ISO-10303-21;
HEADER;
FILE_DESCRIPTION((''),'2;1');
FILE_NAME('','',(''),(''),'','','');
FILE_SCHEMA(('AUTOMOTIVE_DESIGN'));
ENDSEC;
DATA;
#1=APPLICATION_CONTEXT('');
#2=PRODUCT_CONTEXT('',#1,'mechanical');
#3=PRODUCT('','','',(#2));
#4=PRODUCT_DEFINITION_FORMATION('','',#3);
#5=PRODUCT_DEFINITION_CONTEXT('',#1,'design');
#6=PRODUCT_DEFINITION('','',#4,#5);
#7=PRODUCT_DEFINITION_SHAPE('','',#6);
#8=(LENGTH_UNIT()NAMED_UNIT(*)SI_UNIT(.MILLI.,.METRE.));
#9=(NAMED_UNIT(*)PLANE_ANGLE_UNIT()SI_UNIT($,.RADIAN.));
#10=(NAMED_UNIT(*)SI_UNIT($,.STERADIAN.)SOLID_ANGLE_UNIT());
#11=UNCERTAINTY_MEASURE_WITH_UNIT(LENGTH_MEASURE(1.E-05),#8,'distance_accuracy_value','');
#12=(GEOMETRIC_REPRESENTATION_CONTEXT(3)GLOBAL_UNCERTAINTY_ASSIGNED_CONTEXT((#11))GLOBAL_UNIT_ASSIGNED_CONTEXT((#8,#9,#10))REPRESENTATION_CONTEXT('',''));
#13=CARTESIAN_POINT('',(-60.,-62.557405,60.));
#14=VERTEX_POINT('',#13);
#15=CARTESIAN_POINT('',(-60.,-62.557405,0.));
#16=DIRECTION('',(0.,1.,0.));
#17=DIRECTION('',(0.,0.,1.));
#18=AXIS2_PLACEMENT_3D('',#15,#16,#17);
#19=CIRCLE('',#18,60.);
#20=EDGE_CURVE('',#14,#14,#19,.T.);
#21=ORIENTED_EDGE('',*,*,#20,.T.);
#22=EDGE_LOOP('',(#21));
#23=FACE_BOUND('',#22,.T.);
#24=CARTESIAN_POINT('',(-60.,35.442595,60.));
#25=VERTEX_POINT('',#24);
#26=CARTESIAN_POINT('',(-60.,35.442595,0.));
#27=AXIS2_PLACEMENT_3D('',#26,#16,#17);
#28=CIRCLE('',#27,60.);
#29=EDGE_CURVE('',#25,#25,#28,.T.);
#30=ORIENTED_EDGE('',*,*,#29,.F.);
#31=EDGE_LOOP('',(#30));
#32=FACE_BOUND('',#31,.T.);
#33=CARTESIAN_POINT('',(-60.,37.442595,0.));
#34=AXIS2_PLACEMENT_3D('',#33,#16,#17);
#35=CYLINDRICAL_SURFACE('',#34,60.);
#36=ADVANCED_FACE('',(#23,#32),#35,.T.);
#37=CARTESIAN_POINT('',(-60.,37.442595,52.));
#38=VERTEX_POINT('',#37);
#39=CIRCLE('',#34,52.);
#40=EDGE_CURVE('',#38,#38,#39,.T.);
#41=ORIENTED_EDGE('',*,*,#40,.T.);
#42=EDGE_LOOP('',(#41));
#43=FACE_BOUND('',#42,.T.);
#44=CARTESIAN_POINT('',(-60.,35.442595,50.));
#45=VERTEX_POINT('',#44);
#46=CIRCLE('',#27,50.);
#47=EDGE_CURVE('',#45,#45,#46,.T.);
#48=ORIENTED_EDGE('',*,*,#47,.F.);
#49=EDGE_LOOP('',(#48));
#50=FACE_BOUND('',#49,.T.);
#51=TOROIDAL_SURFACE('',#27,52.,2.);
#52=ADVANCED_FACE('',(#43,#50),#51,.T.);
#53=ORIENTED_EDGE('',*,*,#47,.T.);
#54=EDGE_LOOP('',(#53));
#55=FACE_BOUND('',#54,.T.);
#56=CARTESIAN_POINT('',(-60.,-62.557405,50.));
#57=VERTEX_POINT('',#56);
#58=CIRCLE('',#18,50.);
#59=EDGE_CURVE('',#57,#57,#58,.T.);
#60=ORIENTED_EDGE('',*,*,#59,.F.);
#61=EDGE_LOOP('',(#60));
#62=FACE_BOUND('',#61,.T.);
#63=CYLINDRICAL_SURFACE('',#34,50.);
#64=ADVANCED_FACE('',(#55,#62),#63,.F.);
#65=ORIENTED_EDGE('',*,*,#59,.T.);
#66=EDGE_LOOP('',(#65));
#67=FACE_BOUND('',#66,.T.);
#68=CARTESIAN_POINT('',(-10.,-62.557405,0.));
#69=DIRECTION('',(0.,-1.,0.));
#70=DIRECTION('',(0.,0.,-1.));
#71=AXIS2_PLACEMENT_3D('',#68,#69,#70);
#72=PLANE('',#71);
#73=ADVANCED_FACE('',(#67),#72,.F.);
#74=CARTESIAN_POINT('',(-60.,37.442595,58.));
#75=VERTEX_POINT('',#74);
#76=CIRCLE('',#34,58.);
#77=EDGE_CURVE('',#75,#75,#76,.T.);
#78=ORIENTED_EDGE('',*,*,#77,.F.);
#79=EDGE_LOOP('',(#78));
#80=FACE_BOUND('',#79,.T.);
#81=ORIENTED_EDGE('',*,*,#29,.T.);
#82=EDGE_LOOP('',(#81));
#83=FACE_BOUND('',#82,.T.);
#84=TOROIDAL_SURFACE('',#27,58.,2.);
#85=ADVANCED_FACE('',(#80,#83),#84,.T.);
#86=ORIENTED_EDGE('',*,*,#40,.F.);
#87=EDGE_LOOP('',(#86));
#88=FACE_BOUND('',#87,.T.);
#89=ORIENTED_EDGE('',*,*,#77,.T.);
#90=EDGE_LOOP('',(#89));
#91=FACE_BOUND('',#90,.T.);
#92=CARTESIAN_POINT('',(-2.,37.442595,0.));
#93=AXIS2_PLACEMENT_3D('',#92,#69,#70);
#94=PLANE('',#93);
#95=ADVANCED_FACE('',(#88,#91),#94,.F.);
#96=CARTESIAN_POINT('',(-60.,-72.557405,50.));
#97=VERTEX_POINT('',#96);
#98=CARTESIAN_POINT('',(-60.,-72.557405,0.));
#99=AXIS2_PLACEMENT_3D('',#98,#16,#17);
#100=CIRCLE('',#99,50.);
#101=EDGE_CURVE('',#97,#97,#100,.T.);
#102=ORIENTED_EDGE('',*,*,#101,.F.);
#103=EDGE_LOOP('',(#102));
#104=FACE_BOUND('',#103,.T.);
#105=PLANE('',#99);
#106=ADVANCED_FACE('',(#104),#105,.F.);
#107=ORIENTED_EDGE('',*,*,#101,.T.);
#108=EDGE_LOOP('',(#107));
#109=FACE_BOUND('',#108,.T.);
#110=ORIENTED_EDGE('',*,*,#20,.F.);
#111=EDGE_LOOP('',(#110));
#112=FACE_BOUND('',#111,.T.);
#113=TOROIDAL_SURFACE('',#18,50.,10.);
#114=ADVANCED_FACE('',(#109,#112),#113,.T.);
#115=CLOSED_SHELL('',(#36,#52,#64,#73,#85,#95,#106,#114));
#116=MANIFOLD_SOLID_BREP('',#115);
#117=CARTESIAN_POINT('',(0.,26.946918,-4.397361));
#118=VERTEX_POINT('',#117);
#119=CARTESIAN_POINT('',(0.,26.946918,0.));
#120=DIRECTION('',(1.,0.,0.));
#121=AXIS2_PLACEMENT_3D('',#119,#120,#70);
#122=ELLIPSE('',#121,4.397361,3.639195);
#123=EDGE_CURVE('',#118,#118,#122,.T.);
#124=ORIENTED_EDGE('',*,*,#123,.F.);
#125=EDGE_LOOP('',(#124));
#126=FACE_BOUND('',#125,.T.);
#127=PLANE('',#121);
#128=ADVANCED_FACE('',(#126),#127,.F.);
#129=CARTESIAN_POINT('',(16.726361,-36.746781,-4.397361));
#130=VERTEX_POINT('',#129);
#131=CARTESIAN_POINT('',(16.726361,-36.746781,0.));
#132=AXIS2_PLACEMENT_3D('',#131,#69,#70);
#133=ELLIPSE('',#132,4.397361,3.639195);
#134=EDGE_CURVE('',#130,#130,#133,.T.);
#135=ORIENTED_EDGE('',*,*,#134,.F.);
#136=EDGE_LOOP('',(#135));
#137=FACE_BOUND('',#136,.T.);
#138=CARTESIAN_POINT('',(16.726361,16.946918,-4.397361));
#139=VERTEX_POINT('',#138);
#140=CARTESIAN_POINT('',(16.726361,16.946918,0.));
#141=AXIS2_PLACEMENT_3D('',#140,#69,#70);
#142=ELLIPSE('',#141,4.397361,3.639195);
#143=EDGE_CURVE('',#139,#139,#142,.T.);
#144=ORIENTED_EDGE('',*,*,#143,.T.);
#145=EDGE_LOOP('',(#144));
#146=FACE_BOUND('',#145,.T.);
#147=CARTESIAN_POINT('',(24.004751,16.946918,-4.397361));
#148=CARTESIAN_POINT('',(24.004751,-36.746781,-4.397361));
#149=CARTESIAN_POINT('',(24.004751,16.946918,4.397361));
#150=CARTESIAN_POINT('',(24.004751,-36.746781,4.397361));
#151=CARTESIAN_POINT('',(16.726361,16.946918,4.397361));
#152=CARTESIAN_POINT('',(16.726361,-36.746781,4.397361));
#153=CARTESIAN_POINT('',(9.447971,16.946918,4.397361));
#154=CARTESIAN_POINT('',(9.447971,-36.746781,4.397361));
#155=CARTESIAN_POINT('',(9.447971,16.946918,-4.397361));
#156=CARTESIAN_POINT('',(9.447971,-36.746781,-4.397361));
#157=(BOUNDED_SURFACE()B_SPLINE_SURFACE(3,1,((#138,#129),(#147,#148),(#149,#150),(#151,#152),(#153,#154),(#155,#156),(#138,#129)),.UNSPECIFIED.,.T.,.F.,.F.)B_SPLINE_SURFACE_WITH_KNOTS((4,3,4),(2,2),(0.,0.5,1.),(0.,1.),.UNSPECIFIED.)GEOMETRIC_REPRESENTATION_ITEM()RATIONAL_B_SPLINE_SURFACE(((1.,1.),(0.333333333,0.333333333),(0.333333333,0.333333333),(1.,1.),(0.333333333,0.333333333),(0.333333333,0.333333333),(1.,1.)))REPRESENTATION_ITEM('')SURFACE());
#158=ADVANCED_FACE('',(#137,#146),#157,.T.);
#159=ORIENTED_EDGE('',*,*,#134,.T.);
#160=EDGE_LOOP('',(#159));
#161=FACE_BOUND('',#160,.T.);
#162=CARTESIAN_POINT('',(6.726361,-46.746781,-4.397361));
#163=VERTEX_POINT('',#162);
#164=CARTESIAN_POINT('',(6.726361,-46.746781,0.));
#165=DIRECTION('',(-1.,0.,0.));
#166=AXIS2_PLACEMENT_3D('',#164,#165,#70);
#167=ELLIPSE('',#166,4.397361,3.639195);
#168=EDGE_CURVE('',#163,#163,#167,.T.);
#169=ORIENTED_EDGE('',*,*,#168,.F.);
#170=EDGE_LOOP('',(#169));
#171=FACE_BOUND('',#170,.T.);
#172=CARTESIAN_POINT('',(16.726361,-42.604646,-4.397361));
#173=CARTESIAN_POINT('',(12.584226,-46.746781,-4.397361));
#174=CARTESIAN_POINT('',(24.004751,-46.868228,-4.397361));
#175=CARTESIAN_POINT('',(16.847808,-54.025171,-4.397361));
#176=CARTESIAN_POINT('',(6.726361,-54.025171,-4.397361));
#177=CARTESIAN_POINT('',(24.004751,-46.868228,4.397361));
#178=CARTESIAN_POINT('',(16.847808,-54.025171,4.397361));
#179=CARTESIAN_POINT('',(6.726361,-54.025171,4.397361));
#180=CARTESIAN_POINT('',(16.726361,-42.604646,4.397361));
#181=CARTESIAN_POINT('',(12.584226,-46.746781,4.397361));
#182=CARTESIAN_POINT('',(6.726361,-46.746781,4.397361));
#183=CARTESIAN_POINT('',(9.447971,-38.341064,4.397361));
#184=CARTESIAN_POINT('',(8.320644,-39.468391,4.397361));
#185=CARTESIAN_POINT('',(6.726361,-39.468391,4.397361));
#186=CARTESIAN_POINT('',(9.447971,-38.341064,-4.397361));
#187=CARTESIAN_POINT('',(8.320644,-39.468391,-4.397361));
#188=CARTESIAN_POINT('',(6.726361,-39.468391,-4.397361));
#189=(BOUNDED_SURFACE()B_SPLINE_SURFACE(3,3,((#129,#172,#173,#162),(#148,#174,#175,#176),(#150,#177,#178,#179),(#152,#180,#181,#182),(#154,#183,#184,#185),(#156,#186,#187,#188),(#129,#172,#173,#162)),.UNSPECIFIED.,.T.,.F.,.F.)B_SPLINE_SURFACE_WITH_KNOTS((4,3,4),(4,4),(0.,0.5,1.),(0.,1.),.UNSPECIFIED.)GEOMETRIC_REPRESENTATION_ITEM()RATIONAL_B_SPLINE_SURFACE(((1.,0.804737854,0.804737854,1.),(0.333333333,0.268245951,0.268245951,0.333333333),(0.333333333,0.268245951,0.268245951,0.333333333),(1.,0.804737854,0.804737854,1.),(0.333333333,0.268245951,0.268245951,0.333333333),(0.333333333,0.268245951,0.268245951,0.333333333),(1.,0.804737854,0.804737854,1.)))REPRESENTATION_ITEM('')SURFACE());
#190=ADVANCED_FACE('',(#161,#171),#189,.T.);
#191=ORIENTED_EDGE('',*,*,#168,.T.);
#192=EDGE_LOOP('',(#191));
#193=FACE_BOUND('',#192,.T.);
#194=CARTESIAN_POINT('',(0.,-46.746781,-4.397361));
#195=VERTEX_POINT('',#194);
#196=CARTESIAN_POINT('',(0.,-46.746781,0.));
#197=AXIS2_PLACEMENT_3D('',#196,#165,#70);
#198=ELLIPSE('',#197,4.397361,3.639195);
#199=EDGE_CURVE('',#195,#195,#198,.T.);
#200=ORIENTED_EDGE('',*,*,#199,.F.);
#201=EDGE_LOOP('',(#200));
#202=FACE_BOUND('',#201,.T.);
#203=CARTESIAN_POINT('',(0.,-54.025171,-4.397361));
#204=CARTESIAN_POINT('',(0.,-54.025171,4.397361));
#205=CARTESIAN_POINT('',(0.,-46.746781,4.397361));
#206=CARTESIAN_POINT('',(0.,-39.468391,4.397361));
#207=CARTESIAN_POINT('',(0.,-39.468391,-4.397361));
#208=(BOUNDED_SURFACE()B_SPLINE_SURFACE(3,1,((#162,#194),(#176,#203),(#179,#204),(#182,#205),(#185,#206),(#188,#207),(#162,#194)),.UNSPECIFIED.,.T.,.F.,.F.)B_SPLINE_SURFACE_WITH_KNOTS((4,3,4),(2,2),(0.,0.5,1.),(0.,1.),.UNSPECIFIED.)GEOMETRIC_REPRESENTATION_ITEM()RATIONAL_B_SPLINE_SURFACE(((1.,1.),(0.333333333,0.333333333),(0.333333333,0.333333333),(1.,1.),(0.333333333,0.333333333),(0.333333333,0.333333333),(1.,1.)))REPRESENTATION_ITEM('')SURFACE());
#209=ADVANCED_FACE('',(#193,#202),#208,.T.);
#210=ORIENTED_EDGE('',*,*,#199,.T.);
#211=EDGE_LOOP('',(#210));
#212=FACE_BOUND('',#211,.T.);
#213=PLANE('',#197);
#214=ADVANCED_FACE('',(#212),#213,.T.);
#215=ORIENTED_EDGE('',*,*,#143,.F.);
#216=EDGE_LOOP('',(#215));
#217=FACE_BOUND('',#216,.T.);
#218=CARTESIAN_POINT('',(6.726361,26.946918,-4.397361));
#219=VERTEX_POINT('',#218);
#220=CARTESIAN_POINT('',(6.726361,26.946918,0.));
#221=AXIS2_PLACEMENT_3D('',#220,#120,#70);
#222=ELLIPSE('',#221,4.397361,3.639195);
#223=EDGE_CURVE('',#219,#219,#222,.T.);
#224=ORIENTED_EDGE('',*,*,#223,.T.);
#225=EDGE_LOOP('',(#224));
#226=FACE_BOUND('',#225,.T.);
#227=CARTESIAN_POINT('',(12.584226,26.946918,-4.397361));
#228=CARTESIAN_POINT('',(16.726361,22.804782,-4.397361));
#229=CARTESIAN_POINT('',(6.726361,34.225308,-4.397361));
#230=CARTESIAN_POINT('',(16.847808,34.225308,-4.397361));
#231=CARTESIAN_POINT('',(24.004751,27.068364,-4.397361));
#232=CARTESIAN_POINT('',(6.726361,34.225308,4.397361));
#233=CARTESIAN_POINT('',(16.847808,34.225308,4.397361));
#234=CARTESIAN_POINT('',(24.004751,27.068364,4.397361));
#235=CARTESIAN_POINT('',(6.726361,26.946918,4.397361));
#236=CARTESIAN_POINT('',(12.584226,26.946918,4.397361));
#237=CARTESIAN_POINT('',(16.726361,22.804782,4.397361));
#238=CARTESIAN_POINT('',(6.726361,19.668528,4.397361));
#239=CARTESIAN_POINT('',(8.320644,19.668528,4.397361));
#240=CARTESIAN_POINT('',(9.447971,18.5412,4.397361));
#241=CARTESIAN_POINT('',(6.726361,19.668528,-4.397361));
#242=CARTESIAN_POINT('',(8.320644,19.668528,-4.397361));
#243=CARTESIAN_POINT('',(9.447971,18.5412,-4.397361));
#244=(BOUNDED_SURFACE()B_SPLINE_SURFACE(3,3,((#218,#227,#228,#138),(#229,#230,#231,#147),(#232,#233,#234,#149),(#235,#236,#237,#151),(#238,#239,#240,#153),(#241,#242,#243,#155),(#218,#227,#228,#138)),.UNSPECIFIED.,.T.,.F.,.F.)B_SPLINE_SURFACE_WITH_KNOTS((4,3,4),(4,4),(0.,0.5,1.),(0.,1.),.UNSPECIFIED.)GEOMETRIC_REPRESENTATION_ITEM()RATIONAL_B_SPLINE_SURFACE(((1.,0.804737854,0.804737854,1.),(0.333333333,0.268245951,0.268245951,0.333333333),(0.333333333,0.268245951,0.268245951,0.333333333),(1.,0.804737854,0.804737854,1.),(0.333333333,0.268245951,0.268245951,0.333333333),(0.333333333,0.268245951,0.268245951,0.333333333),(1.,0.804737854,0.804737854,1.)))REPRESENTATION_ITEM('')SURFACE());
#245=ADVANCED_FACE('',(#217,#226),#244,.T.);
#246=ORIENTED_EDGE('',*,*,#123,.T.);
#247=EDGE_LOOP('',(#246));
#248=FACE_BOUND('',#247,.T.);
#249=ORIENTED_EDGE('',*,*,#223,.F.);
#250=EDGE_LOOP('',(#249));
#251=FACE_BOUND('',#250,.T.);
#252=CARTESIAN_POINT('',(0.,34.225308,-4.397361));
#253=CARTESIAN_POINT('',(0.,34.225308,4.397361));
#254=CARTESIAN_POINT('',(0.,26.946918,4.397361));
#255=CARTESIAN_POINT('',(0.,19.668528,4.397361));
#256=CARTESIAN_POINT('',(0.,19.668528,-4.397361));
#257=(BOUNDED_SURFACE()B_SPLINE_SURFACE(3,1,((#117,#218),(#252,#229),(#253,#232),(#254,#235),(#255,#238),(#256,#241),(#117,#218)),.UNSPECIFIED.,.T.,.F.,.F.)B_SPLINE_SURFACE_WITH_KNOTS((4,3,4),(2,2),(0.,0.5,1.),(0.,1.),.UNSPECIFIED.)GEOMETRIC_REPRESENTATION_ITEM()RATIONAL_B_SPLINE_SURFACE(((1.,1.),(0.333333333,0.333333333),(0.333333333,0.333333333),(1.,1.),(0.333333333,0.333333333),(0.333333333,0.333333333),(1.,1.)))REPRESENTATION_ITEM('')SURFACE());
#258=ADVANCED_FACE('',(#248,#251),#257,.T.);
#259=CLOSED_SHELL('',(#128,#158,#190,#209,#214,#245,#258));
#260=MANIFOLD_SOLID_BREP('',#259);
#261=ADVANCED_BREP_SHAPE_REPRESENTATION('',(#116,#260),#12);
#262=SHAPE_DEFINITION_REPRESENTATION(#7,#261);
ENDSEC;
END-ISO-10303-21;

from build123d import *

# Parameters (mm, degrees)
SKETCH8_RX = 4.397360636
SKETCH8_RY = 3.639195009


with BuildPart() as part:
    # Sketch6 → Revolve7 (revolve)
    with BuildSketch(Plane.XY):
        with BuildLine():
            Line((0, 0), (0, 35.442595339))
            ThreePointArc((0, 35.442595339), (-0.585786438, 36.856808901), (-2, 37.442595339))
            Line((-2, 37.442595339), (-8, 37.442595339))
            ThreePointArc((-8, 37.442595339), (-9.414213562, 36.856808901), (-10, 35.442595339))
            Line((-10, 35.442595339), (-10, -62.557404661))
            Line((-10, -62.557404661), (-60, -62.557404661))
            Line((-60, -62.557404661), (-60, -72.557404661))
            Line((-60, -72.557404661), (-10, -72.557404661))
            ThreePointArc((-10, -72.557404661), (-2.928932188, -69.628472473), (0, -62.557404661))
            Line((0, -62.557404661), (0, 0))
        make_face()
    revolve(axis=Axis((-60, 37.442595339, 0), (0, -1, 0)))


with BuildPart() as body_2:
    # Sweep4: sweep along a path in Sketch10
    with BuildLine(Plane.XY) as sweep4_path:
        Line((0, 26.946917637), (6.72636144, 26.946917637))
        ThreePointArc((6.72636144, 26.946917637), (13.797429252, 24.017985449), (16.72636144, 16.946917637))
        Line((16.72636144, 16.946917637), (16.72636144, -36.746781296))
        ThreePointArc((16.72636144, -36.746781296), (13.797429252, -43.817849108), (6.72636144, -46.746781296))
        Line((6.72636144, -46.746781296), (0, -46.746781296))
    # Sketch8 → Sweep4 (sweep)
    with BuildSketch(Plane(origin=(0, 0, 0), x_dir=(0, 0, -1), z_dir=(1, 0, 0))):
        with Locations((0, 26.946917637)):
            Ellipse(SKETCH8_RX, SKETCH8_RY)
    sweep(path=sweep4_path.line)


solid = Compound([part.part, body_2.part])
